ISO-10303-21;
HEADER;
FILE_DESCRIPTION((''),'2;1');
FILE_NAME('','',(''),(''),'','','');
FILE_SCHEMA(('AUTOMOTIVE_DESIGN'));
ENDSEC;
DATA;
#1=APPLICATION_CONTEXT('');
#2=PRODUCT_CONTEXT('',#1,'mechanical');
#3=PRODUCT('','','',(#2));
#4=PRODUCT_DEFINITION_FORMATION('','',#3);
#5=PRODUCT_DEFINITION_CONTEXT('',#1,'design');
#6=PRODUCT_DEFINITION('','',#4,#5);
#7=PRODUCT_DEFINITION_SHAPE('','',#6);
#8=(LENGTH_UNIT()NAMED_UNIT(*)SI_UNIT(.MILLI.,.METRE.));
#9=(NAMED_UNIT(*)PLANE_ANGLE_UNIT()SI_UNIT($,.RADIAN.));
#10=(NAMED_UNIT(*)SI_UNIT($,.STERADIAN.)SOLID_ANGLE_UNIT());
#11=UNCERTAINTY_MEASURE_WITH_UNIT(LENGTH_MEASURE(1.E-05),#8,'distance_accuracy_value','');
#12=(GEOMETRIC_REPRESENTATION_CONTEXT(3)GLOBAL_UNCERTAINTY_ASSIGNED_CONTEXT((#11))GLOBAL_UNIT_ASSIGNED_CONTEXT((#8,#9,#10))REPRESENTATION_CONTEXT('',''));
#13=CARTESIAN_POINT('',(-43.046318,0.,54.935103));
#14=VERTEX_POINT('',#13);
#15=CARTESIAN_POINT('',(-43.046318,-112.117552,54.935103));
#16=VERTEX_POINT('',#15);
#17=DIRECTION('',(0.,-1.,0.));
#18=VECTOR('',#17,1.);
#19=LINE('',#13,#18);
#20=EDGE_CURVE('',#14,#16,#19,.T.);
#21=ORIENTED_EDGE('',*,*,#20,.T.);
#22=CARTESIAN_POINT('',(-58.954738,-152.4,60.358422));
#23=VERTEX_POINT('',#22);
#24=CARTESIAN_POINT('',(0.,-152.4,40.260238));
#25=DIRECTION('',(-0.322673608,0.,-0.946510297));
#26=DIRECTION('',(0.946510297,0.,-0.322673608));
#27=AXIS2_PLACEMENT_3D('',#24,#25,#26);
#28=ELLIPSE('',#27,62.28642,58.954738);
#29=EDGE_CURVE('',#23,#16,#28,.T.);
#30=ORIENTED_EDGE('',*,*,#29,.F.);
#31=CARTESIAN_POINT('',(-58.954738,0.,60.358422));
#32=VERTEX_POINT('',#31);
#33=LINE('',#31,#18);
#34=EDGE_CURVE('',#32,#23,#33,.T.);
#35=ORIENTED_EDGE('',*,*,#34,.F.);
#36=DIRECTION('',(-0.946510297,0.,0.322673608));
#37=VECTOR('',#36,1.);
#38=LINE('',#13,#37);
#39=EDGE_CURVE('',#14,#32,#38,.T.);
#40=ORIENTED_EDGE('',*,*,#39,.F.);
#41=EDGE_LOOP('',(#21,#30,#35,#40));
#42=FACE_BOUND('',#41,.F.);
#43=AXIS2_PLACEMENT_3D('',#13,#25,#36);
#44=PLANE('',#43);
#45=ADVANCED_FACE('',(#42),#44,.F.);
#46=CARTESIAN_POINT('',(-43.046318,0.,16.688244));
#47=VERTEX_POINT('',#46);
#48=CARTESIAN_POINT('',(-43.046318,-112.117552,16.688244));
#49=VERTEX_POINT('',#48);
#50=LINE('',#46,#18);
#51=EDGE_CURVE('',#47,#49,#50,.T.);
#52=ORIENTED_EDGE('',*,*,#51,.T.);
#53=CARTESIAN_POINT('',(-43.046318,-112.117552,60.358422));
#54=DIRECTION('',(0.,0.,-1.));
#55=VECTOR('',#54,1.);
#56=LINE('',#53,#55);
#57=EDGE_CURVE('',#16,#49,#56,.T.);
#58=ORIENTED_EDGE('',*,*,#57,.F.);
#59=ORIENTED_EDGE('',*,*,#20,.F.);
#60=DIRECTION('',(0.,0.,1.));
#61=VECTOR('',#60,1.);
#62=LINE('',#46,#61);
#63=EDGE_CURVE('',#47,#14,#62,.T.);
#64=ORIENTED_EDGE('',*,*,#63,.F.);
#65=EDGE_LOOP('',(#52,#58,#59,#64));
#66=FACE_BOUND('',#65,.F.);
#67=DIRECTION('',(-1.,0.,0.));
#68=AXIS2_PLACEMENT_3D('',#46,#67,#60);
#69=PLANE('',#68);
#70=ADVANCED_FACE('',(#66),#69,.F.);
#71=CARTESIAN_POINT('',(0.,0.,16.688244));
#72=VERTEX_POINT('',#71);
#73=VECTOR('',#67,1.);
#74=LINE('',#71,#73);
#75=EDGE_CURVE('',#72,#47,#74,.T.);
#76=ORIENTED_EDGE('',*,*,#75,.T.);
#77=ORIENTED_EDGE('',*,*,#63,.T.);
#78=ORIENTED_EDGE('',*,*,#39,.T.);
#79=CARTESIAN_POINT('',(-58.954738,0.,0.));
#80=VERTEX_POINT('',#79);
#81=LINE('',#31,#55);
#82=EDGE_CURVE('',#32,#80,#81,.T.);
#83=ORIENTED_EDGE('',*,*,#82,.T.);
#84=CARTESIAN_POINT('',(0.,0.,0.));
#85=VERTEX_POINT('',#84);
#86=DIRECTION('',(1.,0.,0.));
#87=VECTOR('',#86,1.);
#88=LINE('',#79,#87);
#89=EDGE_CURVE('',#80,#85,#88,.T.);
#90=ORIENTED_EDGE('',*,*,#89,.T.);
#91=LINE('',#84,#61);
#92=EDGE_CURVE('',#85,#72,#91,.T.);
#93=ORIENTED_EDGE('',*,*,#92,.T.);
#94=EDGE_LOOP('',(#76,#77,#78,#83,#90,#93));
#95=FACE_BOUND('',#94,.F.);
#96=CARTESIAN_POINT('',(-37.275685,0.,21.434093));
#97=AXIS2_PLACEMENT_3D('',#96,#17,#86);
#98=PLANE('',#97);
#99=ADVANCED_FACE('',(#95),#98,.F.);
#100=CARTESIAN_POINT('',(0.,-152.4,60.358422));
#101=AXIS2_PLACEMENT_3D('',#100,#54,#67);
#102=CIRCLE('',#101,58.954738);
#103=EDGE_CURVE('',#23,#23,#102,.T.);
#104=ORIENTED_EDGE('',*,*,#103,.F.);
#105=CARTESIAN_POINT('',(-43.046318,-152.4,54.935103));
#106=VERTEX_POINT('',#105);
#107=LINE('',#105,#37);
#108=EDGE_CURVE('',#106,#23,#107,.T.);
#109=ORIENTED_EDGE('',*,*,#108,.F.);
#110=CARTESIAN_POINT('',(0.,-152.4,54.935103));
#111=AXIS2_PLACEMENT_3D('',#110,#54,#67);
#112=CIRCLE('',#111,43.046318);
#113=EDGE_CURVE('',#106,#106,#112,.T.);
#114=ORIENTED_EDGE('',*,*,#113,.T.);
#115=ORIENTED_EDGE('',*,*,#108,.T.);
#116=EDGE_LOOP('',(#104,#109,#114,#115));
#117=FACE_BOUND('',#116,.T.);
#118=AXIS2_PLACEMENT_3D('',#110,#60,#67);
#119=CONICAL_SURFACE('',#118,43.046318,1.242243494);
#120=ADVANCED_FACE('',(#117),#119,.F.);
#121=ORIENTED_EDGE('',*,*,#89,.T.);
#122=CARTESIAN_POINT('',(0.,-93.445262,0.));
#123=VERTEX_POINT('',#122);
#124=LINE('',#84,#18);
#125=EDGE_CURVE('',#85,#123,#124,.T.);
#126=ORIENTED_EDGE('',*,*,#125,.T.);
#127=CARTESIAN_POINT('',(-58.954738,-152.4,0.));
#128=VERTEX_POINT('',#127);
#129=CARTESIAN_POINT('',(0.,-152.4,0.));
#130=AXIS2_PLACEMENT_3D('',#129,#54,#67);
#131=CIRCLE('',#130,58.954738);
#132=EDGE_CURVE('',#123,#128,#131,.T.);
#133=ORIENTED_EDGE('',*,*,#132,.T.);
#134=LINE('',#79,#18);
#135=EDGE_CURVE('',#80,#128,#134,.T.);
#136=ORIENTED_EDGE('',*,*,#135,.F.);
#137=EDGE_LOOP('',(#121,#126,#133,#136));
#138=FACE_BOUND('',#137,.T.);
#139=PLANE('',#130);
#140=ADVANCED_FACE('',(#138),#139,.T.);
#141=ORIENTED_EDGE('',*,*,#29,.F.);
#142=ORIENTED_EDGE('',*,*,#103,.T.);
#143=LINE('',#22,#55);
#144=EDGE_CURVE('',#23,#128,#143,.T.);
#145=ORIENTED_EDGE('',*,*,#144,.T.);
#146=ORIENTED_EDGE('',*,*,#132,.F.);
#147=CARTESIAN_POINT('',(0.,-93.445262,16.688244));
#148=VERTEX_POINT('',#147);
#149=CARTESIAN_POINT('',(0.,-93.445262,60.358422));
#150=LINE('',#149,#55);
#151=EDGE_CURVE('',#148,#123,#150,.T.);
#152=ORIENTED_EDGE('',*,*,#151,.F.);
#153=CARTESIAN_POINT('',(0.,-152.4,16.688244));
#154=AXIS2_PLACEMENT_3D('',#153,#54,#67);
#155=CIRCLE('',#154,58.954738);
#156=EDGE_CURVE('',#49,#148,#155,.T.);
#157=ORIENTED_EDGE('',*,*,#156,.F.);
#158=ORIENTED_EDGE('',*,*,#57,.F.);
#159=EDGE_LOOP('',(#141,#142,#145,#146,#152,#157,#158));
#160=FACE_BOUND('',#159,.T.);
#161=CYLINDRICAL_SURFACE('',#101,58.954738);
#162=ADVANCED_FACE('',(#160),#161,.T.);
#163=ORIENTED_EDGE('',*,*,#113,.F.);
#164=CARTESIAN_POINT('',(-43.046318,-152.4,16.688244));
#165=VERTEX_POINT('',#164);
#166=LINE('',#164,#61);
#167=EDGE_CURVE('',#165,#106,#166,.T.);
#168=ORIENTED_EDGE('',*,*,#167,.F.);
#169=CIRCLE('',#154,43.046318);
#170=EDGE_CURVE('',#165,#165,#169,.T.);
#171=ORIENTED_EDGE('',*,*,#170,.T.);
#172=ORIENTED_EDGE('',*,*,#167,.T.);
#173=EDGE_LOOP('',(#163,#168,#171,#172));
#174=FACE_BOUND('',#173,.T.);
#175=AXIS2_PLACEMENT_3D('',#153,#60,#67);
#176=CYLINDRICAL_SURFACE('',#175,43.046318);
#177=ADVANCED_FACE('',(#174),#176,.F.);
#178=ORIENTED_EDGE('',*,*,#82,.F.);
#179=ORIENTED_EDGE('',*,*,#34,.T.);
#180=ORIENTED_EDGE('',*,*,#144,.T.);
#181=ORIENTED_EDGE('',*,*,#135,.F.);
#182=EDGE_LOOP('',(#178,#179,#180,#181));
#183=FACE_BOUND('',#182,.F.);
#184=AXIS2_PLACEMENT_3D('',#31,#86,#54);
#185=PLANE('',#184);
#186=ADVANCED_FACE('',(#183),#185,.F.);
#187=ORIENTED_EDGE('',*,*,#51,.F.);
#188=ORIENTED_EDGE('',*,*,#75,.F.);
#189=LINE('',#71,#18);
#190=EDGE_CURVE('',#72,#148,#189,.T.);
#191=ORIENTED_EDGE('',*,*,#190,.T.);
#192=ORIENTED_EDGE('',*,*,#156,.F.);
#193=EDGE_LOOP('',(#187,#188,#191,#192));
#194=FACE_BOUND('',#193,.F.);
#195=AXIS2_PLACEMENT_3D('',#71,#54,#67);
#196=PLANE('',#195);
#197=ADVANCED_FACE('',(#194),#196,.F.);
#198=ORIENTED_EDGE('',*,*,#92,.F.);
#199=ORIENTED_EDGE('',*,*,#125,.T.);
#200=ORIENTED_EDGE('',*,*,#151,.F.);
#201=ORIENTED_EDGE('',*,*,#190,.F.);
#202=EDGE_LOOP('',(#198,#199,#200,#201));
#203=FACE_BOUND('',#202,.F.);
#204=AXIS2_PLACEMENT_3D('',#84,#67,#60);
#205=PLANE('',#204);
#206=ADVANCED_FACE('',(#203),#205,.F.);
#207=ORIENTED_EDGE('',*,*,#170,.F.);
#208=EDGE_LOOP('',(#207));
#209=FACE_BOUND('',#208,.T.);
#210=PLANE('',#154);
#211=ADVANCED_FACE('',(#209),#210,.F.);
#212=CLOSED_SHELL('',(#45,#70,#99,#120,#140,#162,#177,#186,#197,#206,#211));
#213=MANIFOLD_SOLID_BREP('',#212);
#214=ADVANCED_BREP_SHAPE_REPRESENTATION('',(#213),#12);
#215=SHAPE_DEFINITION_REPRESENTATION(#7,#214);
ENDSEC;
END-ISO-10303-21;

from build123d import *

# Parameters (mm, degrees)
F1_DEPTH = 152.4


with BuildPart() as f1:
    # F0 (on Front) → F1 (new body)
    with BuildSketch(Plane.XZ):
        Polygon((-58.954738, 0), (0, 0), (0, 16.688244), (-43.046318, 16.688244), (-43.046318, 30.101229), (-43.046318, 54.935103), (-58.954738, 60.358422), align=None)
    extrude(amount=F1_DEPTH)

    # F1_face (on face) → F2 (revolve)
    with BuildSketch(Plane(origin=(-38.122493, -152.4, 19.839762), x_dir=(1, 0, 0), z_dir=(0, -1, 0))):
        Polygon((-20.832245, 40.51866), (-20.832245, -19.839762), (38.122493, -19.839762), (38.122493, -3.151518), (-4.923825, -3.151518), (-4.923825, 35.095341), align=None)
    revolve(axis=Axis((0, -152.4, 8.344122), (0, 0, -1)))


solid = f1.part
